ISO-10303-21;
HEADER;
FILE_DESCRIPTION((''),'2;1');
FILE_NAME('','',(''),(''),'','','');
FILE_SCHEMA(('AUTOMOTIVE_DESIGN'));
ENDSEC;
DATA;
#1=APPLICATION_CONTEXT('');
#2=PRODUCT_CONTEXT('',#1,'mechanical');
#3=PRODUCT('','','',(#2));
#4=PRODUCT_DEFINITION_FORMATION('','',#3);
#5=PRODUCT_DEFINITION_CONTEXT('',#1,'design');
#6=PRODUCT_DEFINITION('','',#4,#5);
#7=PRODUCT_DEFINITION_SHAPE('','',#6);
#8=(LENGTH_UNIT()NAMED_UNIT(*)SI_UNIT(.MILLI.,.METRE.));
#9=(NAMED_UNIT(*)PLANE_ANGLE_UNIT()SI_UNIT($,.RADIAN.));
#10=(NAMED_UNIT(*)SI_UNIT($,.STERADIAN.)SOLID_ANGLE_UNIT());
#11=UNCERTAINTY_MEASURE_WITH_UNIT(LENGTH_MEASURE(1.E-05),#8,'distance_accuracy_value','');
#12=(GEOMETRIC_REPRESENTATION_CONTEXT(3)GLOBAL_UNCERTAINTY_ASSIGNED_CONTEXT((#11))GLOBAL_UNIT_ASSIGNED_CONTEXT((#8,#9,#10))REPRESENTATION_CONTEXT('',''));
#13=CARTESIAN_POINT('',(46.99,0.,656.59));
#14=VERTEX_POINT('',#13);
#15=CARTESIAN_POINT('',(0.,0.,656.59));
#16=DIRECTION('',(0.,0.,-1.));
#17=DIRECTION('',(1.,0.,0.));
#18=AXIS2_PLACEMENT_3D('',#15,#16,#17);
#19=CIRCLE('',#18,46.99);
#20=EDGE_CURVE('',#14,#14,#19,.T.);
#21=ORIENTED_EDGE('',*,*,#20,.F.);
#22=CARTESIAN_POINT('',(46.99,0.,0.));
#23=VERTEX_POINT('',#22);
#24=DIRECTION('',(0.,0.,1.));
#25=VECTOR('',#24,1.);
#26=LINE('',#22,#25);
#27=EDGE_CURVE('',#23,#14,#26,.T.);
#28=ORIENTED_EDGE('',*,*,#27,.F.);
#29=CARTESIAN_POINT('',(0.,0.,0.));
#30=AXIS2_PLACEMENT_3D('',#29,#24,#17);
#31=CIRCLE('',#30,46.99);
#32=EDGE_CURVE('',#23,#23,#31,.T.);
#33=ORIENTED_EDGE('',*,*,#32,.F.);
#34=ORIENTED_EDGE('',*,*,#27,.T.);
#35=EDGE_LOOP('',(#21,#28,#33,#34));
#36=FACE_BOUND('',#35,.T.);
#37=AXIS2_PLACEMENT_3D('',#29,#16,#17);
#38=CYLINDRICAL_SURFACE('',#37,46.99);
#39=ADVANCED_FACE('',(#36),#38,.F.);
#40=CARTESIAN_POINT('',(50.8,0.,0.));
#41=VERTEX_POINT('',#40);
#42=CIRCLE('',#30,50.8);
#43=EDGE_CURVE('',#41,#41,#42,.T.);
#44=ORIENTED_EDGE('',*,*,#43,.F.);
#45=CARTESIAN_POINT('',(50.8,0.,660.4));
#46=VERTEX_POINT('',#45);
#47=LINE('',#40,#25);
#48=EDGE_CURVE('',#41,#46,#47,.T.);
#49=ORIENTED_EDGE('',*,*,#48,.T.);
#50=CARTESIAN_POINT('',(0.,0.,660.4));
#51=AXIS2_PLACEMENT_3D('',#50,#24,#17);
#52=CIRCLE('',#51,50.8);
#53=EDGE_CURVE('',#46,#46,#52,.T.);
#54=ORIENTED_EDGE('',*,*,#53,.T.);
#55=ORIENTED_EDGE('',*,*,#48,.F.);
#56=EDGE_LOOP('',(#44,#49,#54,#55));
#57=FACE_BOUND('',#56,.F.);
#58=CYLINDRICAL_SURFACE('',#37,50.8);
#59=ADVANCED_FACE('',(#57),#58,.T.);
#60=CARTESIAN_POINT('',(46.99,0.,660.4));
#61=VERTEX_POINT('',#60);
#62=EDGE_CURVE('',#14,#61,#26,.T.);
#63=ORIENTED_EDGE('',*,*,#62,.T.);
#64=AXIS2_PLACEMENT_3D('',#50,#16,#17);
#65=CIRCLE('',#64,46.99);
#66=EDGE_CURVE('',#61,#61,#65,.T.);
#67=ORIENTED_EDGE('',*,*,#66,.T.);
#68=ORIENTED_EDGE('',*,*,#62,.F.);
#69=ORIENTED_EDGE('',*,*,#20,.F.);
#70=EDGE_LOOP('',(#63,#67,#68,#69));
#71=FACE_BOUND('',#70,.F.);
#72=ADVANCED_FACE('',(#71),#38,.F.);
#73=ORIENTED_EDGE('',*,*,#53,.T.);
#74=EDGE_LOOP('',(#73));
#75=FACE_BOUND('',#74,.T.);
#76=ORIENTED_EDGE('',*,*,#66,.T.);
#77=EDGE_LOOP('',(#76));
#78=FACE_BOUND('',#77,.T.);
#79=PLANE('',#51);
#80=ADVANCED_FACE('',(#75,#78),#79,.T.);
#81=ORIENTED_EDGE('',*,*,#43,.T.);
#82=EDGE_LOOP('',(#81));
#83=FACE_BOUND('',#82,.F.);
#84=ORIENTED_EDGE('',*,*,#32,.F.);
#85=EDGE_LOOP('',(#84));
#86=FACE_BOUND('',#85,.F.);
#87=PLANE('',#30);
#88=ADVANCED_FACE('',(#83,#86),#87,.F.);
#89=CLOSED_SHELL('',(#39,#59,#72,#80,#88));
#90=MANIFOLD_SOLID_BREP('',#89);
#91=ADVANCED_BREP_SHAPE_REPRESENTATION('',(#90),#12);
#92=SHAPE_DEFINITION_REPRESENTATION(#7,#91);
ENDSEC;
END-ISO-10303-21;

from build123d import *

# Parameters (mm, degrees)
F0_R     = 50.8
F1_DEPTH = 660.4
F2_T     = -3.81
F3_R     = 46.99
F4_DEPTH = 660.401


with BuildPart() as f1:
    # F0 (on Top) → F1 (new body)
    with BuildSketch(Plane.XY):
        Circle(F0_R)
    extrude(amount=F1_DEPTH)

    # F2
    f2_openings = [f1.faces().sort_by_distance(p)[0] for p in [
        (0, 0, 0),
    ]]
    offset(amount=F2_T, openings=f2_openings)

    # F3 (on face) → F4 (cut, through all)
    with BuildSketch(Plane(origin=(0, 0, 0), x_dir=(1, 0, 0), z_dir=(0, 0, -1))):
        Circle(F3_R)
    extrude(amount=-F4_DEPTH, mode=Mode.SUBTRACT)


solid = f1.part
